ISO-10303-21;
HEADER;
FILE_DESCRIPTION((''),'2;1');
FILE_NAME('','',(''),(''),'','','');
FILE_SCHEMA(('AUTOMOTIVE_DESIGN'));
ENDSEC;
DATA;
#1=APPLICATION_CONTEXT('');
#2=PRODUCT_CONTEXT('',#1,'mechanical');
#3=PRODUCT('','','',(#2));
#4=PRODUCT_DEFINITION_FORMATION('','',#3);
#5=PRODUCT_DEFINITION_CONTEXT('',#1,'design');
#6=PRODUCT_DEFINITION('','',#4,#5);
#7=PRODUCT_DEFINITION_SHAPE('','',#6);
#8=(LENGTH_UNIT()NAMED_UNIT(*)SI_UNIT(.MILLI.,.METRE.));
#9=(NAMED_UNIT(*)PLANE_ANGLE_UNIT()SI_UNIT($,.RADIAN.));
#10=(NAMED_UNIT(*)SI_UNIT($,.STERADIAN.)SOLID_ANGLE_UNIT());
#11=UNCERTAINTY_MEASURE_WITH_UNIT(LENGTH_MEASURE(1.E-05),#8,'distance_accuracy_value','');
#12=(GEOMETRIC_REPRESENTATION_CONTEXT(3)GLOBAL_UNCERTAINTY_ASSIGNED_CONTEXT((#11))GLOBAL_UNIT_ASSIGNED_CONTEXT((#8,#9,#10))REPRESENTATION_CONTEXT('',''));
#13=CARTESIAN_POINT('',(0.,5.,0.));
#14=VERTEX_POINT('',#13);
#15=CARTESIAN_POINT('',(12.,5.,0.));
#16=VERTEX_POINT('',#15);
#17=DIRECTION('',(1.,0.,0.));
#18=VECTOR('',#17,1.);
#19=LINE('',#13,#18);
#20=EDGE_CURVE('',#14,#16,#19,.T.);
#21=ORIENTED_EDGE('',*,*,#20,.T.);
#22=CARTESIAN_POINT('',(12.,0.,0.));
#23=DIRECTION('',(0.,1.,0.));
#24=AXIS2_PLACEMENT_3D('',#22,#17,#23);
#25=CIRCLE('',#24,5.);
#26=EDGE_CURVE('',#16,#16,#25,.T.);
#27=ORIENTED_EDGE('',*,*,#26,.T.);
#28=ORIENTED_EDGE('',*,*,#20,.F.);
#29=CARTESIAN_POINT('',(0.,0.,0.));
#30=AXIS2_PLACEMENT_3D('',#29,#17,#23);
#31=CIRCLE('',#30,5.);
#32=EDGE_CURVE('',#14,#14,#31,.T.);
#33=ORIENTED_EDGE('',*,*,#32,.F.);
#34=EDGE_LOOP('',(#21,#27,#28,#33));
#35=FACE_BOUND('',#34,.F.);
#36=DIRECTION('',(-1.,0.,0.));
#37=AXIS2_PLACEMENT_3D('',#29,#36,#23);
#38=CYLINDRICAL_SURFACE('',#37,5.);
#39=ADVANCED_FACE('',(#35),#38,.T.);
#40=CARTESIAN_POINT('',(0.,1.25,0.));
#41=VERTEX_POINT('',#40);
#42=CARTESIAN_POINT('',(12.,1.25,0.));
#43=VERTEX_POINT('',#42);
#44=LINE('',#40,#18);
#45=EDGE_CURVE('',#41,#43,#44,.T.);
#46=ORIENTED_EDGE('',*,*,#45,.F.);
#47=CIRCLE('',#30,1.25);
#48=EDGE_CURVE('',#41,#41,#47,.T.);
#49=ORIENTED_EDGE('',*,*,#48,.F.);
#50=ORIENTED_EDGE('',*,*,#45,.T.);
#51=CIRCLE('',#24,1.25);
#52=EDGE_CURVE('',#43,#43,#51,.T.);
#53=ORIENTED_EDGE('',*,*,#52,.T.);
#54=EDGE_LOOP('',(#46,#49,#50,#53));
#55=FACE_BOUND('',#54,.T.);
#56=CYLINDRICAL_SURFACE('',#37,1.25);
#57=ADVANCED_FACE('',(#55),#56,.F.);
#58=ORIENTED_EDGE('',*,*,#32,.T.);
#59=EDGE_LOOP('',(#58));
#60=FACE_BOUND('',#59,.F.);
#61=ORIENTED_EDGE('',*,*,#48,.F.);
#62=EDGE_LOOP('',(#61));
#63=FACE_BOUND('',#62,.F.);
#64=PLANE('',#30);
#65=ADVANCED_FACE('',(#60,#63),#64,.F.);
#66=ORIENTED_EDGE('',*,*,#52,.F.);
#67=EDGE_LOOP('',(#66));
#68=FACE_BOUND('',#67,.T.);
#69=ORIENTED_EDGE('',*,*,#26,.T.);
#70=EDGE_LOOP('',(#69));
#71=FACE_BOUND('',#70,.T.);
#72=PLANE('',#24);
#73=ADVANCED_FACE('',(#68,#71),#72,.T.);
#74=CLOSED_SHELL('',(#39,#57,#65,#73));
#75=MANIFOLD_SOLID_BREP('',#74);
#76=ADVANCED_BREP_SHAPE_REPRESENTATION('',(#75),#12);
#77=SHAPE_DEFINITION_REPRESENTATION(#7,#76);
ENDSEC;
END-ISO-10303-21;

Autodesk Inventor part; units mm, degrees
ref_plane "YZ Plane" through (0, 0, 0) normal (1, 0, 0) x (0, 1, 0)
ref_plane "XZ Plane" through (0, 0, 0) normal (0, 1, 0) x (-1, 0, 0)
ref_plane "XY Plane" through (0, 0, 0) normal (0, 0, 1) x (1, 0, 0)
sketch "スケッチ1" plane through (0, 0, 0) normal (1, 0, 0) x (0, 1, 0)
  circle A0 centre (0, 0) radius 5
  circle A1 centre (0, 0) radius 1.25
  dimension "d0" = 10
  dimension "d1" = 2.5
extrude "押し出し1" add sketch "スケッチ1" along normal blind 12
properties part number "belt_liner_v5_shaft_1" material "アルミニウム 6061"
